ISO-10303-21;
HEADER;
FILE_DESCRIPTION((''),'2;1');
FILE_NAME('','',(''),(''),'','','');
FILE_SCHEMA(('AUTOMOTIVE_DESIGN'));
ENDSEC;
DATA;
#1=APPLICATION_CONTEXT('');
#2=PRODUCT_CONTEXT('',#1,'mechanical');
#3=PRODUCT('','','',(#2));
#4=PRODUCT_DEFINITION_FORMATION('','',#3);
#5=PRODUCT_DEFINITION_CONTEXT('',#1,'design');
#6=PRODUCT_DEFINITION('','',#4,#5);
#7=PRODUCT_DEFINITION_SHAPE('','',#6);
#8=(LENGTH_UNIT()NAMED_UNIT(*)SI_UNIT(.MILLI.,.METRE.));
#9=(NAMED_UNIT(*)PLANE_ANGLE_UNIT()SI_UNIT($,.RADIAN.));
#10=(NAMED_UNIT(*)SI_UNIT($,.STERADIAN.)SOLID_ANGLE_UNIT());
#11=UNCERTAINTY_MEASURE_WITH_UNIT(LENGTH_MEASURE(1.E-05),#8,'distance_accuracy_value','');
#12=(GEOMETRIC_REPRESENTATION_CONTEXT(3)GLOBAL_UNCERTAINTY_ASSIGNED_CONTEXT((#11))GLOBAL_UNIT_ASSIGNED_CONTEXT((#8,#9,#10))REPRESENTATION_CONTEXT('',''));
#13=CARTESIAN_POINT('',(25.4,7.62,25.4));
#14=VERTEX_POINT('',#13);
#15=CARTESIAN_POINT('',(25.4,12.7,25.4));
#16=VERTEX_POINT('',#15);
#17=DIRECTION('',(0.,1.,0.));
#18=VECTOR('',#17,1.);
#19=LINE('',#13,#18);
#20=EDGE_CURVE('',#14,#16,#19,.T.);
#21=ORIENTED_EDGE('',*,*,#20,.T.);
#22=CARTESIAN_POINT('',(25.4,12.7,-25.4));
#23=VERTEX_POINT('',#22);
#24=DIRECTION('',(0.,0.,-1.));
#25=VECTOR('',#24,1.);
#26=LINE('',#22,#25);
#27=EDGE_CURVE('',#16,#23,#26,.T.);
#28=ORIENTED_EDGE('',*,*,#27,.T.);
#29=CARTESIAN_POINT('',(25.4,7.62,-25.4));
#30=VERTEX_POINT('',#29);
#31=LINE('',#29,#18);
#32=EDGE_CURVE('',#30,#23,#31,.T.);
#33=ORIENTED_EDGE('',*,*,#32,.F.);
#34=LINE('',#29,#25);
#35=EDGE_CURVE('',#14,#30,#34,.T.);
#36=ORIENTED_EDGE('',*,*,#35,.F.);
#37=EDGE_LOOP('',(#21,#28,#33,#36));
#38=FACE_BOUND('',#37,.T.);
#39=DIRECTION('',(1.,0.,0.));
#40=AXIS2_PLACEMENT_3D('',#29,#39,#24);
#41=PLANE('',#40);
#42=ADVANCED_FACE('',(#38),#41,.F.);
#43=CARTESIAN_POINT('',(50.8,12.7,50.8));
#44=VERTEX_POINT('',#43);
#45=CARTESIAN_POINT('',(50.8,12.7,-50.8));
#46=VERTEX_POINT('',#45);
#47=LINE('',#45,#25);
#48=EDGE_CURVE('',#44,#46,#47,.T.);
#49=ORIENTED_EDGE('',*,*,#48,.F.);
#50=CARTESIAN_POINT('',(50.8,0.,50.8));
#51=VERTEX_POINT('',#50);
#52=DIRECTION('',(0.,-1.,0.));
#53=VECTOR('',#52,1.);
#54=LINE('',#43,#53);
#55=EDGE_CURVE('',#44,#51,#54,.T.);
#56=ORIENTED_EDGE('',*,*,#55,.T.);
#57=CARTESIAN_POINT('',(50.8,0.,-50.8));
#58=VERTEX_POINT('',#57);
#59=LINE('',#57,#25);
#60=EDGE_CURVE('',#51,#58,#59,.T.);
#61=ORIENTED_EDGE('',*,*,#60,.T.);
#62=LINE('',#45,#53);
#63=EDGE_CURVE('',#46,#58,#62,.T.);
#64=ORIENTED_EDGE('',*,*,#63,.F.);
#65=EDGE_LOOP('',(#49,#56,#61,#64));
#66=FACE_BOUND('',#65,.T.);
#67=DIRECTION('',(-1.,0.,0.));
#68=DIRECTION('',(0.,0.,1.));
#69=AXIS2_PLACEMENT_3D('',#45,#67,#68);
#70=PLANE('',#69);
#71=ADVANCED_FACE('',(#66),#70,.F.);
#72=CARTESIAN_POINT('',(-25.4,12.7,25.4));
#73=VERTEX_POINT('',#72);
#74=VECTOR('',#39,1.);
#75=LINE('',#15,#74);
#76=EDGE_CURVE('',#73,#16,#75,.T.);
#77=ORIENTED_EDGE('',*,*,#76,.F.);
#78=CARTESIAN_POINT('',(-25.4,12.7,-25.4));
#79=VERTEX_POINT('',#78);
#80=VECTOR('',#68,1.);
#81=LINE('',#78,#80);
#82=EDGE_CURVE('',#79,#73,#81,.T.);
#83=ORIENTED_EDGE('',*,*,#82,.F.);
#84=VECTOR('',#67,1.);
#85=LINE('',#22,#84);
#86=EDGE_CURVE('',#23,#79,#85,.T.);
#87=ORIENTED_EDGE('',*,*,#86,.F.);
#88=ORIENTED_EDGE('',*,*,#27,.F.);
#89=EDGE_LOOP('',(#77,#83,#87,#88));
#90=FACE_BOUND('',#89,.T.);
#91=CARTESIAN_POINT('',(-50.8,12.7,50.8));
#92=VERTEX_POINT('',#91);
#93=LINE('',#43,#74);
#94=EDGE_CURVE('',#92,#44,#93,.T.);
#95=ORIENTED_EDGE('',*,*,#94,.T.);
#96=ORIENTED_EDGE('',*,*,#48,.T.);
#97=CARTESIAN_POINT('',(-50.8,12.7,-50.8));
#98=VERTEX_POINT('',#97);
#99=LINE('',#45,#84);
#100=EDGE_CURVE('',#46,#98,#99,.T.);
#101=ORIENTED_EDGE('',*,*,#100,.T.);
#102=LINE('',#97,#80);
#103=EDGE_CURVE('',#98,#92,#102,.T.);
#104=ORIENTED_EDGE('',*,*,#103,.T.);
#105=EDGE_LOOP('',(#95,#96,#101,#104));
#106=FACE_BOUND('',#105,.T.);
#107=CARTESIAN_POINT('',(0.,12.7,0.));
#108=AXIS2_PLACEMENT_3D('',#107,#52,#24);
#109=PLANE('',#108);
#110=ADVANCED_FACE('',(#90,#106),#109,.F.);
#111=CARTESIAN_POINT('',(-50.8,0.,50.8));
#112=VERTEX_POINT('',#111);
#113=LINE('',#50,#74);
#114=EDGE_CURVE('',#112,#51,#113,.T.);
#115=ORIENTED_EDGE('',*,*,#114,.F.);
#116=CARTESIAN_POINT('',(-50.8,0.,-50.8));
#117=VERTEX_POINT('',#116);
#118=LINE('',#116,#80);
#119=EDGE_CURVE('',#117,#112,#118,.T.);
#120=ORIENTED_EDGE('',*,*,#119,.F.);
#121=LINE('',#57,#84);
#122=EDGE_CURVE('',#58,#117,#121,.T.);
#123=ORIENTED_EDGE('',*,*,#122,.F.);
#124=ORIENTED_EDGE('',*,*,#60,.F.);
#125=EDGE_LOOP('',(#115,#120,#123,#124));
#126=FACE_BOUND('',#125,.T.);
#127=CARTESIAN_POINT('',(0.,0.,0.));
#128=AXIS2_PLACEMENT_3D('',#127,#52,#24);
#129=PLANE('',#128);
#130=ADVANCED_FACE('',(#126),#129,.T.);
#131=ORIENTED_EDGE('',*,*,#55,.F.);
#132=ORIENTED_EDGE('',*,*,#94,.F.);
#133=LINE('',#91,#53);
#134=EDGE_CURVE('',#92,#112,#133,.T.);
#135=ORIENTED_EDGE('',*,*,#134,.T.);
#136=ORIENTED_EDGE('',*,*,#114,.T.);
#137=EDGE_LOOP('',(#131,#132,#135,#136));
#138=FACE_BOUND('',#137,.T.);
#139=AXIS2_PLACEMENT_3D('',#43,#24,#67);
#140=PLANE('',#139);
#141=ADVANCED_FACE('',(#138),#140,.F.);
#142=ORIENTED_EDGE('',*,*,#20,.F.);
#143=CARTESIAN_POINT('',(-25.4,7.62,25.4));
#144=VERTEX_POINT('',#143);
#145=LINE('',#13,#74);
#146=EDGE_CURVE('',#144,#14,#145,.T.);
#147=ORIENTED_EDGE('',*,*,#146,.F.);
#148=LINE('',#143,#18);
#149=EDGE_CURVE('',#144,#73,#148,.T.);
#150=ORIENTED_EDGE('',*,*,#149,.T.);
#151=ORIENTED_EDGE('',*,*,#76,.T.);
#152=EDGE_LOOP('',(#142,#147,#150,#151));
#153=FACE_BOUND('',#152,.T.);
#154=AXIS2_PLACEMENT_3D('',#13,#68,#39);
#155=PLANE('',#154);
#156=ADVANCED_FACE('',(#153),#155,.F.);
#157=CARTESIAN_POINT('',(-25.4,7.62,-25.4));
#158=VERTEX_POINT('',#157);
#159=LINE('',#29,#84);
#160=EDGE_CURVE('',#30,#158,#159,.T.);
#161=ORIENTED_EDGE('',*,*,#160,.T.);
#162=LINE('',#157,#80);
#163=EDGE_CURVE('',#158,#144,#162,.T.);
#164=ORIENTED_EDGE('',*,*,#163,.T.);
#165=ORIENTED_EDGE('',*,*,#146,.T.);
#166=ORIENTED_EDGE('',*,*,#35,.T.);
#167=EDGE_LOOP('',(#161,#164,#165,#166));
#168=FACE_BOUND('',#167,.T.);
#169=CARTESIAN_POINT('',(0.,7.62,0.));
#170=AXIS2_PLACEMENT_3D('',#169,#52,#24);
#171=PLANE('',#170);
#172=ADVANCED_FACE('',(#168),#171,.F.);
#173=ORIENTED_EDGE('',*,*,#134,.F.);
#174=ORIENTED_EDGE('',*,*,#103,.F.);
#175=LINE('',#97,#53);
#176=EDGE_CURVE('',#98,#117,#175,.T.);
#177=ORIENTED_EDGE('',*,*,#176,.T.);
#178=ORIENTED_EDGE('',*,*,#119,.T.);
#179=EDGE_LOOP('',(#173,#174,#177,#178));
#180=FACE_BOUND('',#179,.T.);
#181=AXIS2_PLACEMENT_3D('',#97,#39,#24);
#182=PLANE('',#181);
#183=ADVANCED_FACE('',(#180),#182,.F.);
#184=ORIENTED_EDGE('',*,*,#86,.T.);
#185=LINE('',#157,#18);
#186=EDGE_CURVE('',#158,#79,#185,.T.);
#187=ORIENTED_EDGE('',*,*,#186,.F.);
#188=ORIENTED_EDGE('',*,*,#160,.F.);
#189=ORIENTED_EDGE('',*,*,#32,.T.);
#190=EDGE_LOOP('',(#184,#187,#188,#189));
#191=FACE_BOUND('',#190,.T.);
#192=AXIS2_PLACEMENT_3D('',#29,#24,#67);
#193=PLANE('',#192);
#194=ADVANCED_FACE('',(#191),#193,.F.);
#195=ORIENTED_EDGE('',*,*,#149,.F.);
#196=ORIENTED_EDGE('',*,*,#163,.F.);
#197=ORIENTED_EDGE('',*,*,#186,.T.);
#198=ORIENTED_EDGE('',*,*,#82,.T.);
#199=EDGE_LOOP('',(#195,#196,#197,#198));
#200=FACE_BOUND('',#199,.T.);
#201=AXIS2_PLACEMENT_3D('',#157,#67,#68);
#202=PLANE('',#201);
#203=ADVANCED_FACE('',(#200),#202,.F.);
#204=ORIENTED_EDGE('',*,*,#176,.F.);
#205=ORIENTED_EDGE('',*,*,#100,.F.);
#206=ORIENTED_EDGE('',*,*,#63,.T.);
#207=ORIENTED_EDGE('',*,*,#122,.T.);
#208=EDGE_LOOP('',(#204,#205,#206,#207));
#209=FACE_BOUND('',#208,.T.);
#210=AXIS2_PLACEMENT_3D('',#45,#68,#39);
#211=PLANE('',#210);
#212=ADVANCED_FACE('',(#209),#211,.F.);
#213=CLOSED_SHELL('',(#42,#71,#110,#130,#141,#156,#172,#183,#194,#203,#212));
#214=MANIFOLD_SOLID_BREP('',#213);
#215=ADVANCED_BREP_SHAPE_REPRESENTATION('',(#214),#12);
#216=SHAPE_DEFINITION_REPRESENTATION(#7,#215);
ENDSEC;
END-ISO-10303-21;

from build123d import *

# Parameters (mm, degrees)
SKETCH1_W           = 101.6
SKETCH1_H           = 101.6
BOSS_EXTRUDE1_DEPTH = 12.7
SKETCH2_W           = 50.8
SKETCH2_H           = 50.8
CUT_EXTRUDE1_DEPTH  = 5.08


with BuildPart() as part:
    # Sketch1 → Boss-Extrude1 (new body)
    with BuildSketch(Plane(origin=(0, 0, 0), x_dir=(1, 0, 0), z_dir=(0, 1, 0))):
        Rectangle(SKETCH1_W, SKETCH1_H)
    extrude(amount=BOSS_EXTRUDE1_DEPTH)

    # Sketch2 → Cut-Extrude1 (cut)
    with BuildSketch(Plane(origin=(0, 12.7, 0), x_dir=(1, 0, 0), z_dir=(0, 1, 0))):
        Rectangle(SKETCH2_W, SKETCH2_H)
    extrude(amount=-CUT_EXTRUDE1_DEPTH, mode=Mode.SUBTRACT)


solid = part.part
